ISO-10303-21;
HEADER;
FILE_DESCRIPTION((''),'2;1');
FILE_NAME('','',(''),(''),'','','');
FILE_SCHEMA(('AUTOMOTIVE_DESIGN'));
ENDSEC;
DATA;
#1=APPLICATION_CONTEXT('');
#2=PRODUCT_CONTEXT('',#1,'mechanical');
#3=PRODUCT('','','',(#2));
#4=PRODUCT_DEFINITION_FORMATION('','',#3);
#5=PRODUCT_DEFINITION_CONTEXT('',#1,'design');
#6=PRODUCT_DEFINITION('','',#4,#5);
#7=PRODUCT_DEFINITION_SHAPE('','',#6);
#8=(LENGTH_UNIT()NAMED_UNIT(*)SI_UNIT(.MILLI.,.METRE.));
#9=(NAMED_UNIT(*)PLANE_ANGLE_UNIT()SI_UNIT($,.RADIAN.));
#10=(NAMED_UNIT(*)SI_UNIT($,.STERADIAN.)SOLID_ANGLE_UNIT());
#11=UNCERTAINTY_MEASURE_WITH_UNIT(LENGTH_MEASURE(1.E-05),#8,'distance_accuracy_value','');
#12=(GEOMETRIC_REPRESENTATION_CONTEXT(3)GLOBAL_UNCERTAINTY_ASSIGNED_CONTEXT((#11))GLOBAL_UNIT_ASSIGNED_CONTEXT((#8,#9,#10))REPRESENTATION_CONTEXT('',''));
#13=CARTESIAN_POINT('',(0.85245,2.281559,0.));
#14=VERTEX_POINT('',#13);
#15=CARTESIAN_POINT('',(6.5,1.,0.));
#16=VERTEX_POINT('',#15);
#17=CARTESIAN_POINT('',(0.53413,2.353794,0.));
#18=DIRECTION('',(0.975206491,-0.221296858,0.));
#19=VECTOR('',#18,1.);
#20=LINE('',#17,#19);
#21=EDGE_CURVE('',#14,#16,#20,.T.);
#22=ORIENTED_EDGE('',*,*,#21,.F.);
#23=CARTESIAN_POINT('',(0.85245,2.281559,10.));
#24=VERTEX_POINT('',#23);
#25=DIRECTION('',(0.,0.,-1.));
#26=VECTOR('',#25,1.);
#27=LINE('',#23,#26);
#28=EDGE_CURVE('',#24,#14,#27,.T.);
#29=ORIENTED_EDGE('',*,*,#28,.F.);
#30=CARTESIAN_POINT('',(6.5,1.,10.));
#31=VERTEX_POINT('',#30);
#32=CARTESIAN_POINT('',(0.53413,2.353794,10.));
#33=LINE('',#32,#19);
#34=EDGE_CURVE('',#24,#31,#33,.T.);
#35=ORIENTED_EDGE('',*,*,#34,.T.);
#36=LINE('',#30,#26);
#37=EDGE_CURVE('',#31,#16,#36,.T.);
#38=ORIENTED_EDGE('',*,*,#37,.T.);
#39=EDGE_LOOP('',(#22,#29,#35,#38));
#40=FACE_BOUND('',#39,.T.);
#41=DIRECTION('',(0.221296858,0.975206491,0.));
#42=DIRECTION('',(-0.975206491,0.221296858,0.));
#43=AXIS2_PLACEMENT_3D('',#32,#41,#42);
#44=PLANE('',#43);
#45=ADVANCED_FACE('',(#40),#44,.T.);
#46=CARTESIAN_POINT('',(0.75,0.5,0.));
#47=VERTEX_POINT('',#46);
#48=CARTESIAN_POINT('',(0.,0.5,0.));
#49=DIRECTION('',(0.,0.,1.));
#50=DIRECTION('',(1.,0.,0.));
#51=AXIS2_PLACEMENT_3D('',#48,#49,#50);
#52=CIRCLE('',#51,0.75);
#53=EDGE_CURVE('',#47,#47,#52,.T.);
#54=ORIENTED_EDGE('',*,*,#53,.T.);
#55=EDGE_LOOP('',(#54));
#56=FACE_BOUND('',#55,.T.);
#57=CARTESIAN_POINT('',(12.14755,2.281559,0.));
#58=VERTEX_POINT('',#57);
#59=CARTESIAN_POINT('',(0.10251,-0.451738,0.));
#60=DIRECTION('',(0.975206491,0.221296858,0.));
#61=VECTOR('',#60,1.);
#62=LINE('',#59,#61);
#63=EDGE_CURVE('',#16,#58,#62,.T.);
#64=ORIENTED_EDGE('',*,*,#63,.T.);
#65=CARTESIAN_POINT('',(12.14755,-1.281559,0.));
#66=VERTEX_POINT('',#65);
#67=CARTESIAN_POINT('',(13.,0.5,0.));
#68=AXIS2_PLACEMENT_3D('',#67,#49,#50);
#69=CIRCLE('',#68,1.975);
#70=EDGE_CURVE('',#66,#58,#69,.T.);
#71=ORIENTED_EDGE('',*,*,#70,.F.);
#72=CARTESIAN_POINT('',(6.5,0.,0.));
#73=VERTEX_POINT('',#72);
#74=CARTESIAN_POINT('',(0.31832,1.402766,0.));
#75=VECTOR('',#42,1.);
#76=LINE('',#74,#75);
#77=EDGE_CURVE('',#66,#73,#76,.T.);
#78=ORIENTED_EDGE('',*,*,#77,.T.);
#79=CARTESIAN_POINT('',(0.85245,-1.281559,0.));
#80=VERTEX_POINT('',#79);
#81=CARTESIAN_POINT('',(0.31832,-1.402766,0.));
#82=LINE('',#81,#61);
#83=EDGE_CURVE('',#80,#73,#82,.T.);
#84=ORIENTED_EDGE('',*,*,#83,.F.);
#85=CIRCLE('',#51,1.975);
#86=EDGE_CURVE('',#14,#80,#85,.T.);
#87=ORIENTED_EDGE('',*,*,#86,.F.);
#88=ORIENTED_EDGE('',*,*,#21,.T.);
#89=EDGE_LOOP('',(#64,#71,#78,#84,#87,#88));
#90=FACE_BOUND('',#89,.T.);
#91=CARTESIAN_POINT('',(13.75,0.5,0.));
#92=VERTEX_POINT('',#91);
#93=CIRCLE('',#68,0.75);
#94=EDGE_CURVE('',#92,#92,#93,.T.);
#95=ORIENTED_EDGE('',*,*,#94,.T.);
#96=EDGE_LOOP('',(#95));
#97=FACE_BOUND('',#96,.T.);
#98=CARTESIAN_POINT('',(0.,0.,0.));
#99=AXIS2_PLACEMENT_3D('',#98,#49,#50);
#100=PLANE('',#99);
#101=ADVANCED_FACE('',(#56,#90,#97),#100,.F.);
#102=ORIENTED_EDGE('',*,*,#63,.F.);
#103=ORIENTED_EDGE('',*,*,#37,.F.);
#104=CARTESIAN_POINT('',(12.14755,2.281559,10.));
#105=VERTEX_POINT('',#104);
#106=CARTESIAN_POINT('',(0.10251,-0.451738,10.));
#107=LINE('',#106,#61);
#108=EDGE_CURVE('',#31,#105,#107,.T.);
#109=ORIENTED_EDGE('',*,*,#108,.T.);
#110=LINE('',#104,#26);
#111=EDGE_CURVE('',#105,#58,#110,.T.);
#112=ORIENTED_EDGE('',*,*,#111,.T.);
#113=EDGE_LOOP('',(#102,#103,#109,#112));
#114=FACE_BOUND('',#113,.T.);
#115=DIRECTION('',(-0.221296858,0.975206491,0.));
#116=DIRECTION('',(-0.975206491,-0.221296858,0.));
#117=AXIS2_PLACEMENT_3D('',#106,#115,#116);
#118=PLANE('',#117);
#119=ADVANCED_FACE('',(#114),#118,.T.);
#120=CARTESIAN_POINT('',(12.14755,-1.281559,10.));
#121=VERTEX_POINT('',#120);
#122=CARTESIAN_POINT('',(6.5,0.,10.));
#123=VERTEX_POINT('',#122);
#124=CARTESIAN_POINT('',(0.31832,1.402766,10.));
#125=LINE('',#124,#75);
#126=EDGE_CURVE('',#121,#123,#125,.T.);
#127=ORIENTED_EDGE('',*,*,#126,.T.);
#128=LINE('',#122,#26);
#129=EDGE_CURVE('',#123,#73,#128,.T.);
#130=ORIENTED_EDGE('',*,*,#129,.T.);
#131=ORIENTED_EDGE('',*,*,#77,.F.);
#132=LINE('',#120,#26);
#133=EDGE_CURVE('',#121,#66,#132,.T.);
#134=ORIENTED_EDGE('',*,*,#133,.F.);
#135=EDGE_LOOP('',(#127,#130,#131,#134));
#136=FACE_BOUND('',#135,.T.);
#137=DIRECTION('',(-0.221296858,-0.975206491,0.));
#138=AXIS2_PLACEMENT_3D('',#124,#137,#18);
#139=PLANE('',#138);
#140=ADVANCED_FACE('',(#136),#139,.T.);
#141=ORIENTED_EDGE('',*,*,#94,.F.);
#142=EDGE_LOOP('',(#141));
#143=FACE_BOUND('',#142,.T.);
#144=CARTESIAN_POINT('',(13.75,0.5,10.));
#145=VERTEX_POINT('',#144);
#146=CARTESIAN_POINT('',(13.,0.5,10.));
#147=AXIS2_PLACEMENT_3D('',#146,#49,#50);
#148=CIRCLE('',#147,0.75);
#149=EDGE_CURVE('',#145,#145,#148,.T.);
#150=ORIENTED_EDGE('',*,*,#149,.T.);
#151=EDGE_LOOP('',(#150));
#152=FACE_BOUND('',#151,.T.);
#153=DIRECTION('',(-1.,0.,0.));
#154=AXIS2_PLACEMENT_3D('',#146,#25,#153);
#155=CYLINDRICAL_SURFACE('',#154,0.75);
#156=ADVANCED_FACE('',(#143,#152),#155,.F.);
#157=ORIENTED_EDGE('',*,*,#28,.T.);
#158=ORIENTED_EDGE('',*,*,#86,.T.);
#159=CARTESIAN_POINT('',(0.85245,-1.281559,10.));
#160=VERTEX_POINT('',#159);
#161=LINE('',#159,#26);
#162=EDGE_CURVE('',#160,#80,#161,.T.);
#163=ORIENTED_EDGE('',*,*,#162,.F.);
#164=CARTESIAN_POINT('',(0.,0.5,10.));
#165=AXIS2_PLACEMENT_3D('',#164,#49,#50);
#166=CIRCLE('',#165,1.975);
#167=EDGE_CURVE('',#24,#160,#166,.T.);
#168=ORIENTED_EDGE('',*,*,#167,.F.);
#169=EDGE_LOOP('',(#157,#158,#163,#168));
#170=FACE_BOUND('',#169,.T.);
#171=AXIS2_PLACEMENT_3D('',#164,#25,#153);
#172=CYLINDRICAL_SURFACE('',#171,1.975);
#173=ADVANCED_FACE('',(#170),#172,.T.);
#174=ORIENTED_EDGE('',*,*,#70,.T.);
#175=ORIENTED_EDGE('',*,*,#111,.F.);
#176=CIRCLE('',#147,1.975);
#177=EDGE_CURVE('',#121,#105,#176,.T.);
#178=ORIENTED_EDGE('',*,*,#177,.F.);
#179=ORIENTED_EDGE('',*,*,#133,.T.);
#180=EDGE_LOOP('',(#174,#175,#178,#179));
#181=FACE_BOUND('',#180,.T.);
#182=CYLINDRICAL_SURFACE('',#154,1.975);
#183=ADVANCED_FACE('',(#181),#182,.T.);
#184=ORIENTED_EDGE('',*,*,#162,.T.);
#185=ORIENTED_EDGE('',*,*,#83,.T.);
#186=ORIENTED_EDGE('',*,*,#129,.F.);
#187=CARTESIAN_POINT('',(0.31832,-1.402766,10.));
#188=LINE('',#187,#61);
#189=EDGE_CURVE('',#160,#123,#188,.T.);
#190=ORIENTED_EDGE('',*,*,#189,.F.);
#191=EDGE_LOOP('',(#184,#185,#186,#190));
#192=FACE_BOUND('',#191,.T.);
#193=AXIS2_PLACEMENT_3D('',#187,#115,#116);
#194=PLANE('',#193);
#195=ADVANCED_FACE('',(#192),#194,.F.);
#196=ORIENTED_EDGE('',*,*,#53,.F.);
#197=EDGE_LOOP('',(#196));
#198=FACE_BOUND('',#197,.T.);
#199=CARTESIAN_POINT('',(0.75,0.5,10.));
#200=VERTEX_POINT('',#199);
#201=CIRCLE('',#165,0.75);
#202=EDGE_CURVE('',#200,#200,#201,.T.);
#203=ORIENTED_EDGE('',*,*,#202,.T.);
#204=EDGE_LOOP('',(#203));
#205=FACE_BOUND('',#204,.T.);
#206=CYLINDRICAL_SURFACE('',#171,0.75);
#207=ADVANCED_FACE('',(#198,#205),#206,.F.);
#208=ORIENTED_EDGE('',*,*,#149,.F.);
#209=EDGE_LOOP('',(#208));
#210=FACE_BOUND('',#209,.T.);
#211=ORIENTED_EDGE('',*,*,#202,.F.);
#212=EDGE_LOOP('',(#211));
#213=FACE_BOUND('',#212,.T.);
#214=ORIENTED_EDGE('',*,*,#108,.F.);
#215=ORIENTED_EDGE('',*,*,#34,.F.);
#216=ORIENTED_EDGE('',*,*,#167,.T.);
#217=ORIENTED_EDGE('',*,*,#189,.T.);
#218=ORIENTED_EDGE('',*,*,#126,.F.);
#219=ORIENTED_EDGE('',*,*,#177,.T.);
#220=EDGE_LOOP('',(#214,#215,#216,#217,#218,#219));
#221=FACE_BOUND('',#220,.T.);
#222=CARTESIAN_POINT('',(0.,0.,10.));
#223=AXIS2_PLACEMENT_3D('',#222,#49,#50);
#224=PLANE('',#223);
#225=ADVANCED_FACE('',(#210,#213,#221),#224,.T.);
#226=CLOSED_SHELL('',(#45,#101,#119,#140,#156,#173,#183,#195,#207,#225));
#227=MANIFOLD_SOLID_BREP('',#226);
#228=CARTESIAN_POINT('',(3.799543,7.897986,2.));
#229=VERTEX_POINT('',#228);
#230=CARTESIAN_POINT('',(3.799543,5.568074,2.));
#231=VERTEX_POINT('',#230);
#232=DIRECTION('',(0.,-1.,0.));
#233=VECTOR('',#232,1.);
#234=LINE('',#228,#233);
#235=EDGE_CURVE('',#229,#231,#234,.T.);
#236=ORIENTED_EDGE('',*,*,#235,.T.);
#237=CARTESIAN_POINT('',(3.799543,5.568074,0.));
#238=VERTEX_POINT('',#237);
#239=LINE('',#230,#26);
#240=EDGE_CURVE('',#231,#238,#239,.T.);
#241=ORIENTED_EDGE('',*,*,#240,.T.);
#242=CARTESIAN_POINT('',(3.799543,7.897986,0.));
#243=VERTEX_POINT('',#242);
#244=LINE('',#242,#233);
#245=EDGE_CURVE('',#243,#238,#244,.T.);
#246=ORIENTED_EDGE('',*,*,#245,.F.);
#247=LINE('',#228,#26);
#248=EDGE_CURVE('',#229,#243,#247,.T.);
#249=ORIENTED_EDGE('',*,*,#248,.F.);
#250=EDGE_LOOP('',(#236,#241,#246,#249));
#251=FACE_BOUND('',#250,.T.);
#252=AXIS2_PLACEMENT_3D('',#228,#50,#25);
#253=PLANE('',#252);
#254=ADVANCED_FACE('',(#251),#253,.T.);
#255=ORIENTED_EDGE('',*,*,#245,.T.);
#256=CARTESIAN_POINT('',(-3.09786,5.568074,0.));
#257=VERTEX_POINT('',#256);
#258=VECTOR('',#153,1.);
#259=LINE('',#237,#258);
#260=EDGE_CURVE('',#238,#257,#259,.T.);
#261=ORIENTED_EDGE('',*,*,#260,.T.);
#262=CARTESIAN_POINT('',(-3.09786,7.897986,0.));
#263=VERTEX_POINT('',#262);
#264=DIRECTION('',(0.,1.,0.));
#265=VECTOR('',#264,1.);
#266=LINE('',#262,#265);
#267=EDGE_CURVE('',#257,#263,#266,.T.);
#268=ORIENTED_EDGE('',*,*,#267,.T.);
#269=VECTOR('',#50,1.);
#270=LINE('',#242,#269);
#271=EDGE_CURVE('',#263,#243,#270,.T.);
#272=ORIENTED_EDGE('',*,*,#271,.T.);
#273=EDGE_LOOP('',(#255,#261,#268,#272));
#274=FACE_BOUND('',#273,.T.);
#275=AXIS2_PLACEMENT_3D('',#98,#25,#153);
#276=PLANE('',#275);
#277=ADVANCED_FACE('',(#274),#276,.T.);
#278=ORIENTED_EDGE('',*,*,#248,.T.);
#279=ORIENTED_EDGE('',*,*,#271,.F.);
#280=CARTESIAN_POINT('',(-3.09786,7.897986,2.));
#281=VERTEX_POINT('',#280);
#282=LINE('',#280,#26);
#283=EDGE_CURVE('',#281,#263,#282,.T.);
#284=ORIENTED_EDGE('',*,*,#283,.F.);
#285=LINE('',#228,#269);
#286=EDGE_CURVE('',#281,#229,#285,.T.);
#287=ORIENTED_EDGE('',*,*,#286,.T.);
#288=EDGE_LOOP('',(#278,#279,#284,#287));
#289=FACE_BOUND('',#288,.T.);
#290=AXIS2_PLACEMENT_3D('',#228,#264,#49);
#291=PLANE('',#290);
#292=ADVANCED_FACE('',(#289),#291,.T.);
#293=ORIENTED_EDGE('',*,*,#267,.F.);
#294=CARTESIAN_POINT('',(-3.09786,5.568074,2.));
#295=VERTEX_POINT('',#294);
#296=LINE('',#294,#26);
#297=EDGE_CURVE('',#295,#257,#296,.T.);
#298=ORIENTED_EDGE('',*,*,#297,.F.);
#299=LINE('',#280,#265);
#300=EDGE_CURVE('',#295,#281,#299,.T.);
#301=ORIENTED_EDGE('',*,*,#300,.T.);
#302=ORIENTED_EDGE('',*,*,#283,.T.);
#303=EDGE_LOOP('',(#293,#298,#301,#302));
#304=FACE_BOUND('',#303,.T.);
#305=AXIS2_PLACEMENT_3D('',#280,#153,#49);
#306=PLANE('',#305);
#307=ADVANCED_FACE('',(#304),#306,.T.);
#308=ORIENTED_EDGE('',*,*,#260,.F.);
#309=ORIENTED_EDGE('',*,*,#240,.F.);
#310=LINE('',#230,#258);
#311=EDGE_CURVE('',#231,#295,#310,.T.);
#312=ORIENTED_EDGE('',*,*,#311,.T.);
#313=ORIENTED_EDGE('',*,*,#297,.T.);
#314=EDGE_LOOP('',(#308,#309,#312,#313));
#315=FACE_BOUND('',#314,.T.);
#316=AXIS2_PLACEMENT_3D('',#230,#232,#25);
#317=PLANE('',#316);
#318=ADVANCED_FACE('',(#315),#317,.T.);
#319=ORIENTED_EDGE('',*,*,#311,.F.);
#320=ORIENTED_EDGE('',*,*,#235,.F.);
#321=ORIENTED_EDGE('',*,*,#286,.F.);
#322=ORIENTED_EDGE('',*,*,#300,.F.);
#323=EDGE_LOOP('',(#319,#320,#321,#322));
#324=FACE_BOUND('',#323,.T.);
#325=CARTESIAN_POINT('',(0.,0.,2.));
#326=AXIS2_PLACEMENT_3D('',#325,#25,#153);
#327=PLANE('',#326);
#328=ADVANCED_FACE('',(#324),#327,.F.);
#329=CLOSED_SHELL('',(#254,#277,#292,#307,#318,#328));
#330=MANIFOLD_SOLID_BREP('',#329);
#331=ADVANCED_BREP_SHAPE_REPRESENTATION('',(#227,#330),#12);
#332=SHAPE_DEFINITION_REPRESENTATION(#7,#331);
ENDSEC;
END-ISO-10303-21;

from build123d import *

# Parameters (mm, degrees)
SKETCH1_R           = 0.75
BOSS_EXTRUDE1_DEPTH = 10
SKETCH3_W           = 6.897403567
SKETCH3_H           = 2.329912157
BOSS_EXTRUDE3_DEPTH = 2


with BuildPart() as part:
    # Sketch1 → Boss-Extrude1 (new body)
    with BuildSketch(Plane.XY):
        with BuildLine():
            Line((12.147549978, 2.281559418), (6.5, 1))
            Line((6.5, 1), (0.852450022, 2.281559418))
            ThreePointArc((0.852450022, 2.281559418), (-1.975, 0.5), (0.852450022, -1.281559418))
            Line((0.852450022, -1.281559418), (6.5, 0))
            Line((6.5, 0), (12.147549978, -1.281559418))
            ThreePointArc((12.147549978, -1.281559418), (14.975, 0.5), (12.147549978, 2.281559418))
        make_face()
        with Locations((0, 0.5)):
            Circle(SKETCH1_R, mode=Mode.SUBTRACT)
        with Locations((13, 0.5)):
            Circle(SKETCH1_R, mode=Mode.SUBTRACT)
    extrude(amount=BOSS_EXTRUDE1_DEPTH)


with BuildPart() as body_2:
    # Sketch3 → Boss-Extrude3 (new body)
    with BuildSketch(Plane(origin=(0, 0, 0), x_dir=(-1, 0, 0), z_dir=(0, 0, -1))):
        with Locations((-0.350841319, 6.733030307)):
            Rectangle(SKETCH3_W, SKETCH3_H)
    extrude(amount=-BOSS_EXTRUDE3_DEPTH)


solid = Compound([part.part, body_2.part])
